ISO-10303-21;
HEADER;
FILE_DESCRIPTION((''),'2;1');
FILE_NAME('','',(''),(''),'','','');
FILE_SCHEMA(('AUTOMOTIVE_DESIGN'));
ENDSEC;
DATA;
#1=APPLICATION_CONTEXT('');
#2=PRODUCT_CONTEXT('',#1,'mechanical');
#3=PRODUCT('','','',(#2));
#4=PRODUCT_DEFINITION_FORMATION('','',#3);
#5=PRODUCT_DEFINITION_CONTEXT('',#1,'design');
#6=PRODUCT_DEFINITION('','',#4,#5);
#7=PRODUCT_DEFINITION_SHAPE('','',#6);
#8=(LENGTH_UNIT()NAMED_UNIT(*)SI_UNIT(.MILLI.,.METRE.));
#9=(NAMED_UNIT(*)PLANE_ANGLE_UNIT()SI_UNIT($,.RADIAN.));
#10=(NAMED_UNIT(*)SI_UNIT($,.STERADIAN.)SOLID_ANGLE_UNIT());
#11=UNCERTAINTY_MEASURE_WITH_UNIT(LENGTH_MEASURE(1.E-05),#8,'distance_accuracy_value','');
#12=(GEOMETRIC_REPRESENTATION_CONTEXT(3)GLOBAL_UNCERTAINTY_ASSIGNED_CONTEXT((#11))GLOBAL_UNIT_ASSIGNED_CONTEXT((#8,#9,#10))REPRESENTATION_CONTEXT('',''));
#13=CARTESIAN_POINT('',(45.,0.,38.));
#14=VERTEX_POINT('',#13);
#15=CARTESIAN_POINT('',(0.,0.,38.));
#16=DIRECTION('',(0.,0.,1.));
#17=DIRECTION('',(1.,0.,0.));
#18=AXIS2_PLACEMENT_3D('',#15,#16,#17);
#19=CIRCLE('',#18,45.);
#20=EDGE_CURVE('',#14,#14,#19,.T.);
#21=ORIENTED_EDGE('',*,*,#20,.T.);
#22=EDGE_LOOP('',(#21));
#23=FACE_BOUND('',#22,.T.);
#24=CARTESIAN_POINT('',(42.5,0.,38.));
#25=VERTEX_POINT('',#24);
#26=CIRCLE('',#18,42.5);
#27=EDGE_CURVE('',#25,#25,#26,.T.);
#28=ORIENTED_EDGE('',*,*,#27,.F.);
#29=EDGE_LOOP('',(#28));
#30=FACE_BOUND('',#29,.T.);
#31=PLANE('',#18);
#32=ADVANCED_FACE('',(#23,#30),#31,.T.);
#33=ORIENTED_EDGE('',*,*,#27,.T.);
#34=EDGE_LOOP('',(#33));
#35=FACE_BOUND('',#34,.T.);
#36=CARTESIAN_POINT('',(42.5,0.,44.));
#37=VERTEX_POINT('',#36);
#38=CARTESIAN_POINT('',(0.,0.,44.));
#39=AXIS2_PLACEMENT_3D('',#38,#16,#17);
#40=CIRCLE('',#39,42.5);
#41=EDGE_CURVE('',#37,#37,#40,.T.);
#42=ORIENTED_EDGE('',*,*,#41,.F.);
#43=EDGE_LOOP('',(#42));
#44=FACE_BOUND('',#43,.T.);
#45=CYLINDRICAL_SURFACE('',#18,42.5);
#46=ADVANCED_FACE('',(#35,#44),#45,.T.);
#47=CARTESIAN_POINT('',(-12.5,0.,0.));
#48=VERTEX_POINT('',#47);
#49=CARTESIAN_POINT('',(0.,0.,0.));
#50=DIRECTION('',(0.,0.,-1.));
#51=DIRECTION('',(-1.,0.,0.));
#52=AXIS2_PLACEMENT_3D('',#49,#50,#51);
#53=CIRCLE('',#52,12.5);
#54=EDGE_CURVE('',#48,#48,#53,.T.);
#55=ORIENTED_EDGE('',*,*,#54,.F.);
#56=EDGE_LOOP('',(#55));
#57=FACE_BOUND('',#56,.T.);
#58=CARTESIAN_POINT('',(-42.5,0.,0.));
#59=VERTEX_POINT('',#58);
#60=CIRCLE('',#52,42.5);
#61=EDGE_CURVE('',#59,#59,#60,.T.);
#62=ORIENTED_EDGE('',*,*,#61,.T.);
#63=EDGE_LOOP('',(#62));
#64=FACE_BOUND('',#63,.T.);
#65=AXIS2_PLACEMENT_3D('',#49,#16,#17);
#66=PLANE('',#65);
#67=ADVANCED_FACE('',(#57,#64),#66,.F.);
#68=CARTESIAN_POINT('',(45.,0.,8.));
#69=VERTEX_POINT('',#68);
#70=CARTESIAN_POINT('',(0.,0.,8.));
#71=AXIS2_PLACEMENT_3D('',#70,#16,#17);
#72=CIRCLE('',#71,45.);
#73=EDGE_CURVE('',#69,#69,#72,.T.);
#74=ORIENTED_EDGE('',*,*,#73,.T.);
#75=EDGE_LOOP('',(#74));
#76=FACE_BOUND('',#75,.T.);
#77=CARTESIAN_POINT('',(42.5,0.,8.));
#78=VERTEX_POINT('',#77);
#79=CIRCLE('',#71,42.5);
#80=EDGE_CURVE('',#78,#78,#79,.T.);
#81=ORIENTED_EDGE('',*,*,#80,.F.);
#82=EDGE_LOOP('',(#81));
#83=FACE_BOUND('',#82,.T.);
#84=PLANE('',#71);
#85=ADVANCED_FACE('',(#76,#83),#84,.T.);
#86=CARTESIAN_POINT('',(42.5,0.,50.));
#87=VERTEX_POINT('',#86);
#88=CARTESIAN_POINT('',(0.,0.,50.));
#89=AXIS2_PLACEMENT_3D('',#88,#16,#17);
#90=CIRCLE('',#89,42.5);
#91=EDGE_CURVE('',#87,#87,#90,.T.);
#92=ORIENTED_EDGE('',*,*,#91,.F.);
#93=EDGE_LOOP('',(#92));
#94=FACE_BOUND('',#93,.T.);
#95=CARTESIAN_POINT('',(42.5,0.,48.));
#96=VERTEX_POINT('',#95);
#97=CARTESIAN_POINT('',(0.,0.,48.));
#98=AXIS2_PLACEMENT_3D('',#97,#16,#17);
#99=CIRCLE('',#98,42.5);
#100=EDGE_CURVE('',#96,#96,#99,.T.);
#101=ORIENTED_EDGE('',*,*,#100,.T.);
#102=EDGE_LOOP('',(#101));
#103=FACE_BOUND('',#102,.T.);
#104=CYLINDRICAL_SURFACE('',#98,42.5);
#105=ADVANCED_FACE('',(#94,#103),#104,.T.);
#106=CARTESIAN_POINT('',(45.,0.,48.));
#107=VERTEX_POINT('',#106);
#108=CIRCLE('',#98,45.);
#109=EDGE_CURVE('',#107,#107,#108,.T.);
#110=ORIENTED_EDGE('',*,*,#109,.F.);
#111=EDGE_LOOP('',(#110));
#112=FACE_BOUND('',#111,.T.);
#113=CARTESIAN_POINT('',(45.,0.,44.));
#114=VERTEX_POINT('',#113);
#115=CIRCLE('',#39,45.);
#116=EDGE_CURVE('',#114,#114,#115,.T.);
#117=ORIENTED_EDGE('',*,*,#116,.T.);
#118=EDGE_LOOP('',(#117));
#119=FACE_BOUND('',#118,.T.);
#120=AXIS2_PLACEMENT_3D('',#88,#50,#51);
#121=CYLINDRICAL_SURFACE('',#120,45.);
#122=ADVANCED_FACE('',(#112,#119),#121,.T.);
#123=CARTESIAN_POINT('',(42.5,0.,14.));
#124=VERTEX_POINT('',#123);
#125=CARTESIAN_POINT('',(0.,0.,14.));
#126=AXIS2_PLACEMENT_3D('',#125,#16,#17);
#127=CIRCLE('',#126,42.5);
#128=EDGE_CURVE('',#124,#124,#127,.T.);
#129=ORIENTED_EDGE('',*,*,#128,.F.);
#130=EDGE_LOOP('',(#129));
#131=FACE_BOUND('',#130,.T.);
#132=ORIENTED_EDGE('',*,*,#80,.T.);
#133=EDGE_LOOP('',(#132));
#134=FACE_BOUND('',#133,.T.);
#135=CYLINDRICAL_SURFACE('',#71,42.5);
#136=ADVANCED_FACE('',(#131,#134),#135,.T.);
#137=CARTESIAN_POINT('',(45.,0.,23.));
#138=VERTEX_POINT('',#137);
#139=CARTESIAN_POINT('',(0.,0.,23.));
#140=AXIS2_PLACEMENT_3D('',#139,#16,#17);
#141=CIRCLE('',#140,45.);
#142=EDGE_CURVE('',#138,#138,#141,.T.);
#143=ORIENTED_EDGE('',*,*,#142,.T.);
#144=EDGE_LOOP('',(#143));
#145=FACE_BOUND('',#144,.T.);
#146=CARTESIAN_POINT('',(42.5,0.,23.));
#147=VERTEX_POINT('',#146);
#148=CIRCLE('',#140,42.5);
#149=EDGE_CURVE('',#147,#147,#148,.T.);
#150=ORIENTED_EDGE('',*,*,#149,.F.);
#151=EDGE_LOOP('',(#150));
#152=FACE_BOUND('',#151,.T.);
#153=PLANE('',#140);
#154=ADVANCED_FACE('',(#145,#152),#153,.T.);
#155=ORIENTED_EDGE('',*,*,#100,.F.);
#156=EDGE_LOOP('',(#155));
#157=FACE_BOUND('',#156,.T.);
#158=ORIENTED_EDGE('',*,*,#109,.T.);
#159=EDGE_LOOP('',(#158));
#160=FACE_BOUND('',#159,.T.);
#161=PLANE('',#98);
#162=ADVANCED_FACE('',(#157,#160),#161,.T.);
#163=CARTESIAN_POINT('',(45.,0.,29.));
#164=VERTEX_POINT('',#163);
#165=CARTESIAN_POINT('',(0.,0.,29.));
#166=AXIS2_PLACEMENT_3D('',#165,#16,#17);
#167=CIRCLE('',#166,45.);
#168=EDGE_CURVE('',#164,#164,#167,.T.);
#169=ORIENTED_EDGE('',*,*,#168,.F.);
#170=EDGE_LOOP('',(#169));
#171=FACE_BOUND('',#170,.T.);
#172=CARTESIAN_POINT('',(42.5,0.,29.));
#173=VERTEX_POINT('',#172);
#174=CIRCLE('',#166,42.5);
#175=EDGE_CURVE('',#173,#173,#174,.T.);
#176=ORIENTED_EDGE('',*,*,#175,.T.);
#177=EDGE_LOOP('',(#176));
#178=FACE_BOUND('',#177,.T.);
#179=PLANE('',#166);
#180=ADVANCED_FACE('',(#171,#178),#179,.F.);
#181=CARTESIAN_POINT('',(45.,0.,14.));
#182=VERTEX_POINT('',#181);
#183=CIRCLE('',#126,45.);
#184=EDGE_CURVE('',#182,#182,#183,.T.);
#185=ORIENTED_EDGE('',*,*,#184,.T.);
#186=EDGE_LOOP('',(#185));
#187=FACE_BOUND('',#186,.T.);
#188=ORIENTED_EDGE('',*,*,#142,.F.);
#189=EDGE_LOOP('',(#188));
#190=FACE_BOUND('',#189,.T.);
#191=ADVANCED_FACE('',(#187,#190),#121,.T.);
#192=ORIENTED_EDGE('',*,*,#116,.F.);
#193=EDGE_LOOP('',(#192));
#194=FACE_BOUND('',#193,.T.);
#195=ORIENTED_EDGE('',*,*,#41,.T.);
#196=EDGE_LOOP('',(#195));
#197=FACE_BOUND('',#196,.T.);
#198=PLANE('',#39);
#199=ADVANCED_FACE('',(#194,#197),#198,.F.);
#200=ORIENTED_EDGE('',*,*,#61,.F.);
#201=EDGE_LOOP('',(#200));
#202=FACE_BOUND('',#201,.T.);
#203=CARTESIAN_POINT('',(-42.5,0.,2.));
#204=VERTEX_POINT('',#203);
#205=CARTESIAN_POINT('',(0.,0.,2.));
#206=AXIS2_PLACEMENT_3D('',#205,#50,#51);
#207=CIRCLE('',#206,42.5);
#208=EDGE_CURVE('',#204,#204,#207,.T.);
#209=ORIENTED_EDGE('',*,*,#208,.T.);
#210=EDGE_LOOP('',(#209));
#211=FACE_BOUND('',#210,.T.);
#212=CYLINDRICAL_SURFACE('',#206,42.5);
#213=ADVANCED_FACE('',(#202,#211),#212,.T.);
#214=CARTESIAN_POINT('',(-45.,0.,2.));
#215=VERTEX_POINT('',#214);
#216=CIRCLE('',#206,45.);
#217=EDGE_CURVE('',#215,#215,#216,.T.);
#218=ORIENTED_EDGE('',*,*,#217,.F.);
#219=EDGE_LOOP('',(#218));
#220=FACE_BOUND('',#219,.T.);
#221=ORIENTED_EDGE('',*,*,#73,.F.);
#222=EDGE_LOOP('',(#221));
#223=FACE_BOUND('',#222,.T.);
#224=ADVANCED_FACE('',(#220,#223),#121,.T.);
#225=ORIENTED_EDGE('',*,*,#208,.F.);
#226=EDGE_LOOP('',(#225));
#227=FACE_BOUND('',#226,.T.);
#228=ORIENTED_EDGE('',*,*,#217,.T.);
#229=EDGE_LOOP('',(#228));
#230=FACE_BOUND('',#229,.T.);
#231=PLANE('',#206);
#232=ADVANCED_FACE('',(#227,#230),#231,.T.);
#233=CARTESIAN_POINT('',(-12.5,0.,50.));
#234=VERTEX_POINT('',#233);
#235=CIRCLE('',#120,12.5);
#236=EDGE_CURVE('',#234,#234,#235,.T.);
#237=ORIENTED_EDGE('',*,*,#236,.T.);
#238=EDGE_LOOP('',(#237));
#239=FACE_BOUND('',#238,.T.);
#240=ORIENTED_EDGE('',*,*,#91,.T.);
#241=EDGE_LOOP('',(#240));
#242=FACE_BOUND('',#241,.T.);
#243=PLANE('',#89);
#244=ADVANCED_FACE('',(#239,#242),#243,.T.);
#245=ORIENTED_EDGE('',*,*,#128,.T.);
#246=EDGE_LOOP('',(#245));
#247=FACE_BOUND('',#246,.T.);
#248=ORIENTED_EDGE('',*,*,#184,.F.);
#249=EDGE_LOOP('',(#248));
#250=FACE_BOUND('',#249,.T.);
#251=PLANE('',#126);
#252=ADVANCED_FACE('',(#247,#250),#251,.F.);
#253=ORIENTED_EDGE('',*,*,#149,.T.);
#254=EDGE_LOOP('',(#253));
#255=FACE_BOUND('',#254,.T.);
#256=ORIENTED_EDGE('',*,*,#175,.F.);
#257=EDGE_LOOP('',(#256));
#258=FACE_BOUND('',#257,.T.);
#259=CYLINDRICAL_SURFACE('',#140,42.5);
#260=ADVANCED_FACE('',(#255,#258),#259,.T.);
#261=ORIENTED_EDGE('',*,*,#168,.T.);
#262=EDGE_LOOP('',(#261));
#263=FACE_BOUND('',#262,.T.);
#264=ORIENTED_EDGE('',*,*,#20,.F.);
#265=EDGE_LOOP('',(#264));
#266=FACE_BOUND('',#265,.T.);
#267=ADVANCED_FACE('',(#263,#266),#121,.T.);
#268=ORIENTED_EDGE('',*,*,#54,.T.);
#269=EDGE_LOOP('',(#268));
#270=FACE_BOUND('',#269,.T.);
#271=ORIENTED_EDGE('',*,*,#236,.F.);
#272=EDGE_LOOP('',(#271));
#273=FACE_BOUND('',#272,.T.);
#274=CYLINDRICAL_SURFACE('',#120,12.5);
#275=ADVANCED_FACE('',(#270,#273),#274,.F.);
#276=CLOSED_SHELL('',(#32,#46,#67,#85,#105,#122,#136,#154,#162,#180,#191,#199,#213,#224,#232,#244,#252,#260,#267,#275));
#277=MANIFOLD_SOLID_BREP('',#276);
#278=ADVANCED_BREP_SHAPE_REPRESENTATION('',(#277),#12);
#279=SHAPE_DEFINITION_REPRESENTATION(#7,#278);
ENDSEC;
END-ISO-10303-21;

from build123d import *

# Parameters (mm, degrees)
SKETCH_1_R             = 45
EXTRUDE_1_DEPTH        = 50
CUT_EXTRUDE_START      = -6
SKETCH_2_R             = 45
SKETCH_2_R_2           = 42.5
CUT_EXTRUDE_1_DEPTH    = 6
PATTERN_LINEAR_1_COUNT = 3
PATTERN_LINEAR_1_PITCH = 15
SKETCH_3_R             = 45
SKETCH_3_R_2           = 42.5
CUT_EXTRUDE_2_DEPTH    = 2
SKETCH_4_R             = 45
SKETCH_4_R_2           = 42.5
CUT_EXTRUDE_4_DEPTH    = 2
SKETCH_5_R             = 12.5
CUT_EXTRUDE_5_DEPTH    = 51


with BuildPart() as part:
    # 草图1 → 凸台-拉伸1 (new body)
    with BuildSketch(Plane.XY):
        Circle(SKETCH_1_R)
    extrude(amount=EXTRUDE_1_DEPTH)

    # 草图2 → 切除-拉伸1 (cut)
    with BuildSketch(Plane.XY.offset(50).offset(CUT_EXTRUDE_START)):
        Circle(SKETCH_2_R)
        Circle(SKETCH_2_R_2, mode=Mode.SUBTRACT)
    cut_extrude_1 = extrude(amount=-CUT_EXTRUDE_1_DEPTH, mode=Mode.SUBTRACT)

    # 阵列(线性)1: 切除-拉伸1 ×3
    with Locations(*[(0, 0, -i * PATTERN_LINEAR_1_PITCH) for i in range(1, PATTERN_LINEAR_1_COUNT)]):
        add(cut_extrude_1, mode=Mode.SUBTRACT)

    # 草图3 → 切除-拉伸2 (cut)
    with BuildSketch(Plane.XY.offset(50)):
        Circle(SKETCH_3_R)
        Circle(SKETCH_3_R_2, mode=Mode.SUBTRACT)
    extrude(amount=-CUT_EXTRUDE_2_DEPTH, mode=Mode.SUBTRACT)

    # 草图4 → 切除-拉伸4 (cut)
    with BuildSketch(Plane(origin=(0, 0, 0), x_dir=(-1, 0, 0), z_dir=(0, 0, -1))):
        Circle(SKETCH_4_R)
        Circle(SKETCH_4_R_2, mode=Mode.SUBTRACT)
    extrude(amount=-CUT_EXTRUDE_4_DEPTH, mode=Mode.SUBTRACT)

    # 草图5 → 切除-拉伸5 (cut, through all)
    with BuildSketch(Plane(origin=(0, 0, 0), x_dir=(-1, 0, 0), z_dir=(0, 0, -1))):
        Circle(SKETCH_5_R)
    extrude(amount=-CUT_EXTRUDE_5_DEPTH, mode=Mode.SUBTRACT)


solid = part.part
